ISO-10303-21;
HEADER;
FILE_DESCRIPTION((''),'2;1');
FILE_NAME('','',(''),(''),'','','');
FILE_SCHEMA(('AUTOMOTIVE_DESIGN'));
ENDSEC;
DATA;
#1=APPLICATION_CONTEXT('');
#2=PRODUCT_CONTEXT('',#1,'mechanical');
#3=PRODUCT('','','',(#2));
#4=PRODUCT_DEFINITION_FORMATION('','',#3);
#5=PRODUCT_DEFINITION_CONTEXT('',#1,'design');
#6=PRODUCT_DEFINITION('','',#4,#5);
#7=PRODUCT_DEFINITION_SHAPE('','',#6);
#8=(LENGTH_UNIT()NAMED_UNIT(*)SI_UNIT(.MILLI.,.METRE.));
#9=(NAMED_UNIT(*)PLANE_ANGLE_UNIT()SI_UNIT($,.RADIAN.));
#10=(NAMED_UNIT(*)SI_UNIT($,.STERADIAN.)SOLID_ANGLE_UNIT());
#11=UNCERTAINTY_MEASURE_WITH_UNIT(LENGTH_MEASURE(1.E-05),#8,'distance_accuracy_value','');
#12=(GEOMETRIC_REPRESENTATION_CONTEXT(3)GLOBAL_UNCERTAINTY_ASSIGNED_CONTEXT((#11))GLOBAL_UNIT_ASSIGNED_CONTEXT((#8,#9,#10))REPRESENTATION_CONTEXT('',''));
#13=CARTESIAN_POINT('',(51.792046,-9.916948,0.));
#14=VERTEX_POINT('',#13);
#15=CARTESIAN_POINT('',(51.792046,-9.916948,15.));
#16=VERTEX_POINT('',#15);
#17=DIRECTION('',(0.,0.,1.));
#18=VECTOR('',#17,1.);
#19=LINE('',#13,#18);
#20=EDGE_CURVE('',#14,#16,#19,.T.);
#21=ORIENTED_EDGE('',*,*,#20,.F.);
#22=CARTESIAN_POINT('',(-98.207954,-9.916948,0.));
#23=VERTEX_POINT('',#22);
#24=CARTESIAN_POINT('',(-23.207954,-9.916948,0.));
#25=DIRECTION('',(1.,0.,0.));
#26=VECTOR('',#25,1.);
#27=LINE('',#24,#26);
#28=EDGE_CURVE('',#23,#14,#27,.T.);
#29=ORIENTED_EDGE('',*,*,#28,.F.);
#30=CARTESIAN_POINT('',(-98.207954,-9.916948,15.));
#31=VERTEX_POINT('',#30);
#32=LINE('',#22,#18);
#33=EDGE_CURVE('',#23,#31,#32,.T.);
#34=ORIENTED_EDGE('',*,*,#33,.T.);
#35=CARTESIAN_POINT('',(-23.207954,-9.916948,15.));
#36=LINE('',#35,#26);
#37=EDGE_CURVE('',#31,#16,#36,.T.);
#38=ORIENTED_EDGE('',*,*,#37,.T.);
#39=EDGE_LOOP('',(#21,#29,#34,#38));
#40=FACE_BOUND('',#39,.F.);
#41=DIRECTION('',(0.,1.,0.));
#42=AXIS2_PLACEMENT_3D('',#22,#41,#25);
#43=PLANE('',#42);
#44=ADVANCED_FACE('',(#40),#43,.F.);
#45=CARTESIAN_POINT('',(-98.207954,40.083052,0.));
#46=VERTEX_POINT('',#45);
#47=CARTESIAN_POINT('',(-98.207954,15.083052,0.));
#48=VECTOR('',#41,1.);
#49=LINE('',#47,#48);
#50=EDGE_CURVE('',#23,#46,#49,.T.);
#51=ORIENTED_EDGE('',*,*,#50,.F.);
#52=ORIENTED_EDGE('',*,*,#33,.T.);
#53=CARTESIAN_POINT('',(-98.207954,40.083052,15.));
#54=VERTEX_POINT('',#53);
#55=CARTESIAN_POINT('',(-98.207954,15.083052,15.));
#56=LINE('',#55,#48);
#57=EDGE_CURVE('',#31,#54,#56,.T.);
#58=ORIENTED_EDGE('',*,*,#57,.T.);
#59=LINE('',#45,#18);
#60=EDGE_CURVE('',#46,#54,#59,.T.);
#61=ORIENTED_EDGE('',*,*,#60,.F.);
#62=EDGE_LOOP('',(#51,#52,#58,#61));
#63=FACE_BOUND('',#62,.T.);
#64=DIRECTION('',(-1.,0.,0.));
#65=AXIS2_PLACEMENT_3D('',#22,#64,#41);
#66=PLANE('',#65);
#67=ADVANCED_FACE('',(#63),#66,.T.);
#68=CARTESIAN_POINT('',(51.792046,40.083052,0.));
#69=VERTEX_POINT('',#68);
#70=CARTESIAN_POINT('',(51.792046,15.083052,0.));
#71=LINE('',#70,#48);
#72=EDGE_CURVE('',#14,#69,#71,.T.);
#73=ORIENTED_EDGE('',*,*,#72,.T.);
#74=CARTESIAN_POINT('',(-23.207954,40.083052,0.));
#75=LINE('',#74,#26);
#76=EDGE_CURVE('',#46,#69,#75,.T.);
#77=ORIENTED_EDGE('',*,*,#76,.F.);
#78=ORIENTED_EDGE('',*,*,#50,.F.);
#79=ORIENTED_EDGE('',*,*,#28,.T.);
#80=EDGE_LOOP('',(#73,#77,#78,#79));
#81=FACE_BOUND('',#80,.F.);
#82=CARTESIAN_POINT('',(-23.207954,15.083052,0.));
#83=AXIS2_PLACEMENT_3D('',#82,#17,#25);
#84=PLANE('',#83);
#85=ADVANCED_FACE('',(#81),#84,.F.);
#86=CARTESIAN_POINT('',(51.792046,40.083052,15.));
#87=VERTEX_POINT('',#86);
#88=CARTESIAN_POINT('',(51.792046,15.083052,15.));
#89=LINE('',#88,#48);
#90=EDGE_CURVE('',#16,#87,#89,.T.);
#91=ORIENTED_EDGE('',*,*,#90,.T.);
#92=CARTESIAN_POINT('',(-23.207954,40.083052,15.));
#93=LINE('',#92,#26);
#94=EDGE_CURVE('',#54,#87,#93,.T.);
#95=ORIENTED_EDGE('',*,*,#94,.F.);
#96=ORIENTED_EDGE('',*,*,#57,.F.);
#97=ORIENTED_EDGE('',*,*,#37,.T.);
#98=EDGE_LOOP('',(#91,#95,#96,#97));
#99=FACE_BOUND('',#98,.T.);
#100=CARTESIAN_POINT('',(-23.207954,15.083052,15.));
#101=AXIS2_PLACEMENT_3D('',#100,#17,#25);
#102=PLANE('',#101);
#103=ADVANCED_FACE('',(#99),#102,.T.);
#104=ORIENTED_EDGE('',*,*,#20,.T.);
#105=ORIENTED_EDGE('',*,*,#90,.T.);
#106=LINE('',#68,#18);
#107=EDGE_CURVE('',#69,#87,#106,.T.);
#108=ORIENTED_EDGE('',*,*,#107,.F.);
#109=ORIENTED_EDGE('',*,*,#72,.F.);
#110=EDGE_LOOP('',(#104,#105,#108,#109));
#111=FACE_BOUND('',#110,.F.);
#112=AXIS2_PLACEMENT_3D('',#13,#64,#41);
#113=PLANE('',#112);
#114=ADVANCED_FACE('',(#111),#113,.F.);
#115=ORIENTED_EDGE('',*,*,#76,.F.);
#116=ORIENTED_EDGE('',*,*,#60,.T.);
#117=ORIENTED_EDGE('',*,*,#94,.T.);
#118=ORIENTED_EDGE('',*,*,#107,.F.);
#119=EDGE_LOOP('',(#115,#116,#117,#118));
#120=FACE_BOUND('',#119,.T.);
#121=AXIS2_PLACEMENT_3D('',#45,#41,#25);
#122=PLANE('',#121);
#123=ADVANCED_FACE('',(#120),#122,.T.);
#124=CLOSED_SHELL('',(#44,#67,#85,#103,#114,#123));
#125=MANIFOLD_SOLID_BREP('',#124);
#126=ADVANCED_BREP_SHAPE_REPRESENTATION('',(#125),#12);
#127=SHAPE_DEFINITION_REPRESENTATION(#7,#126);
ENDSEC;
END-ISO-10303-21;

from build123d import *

# Parameters (mm, degrees)
F1_W     = 150
F1_H     = 50
F2_DEPTH = 15


with BuildPart() as f2:
    # F1 (on face) → F2 (new body)
    with BuildSketch(Plane.XY):
        with Locations((-23.207954, 15.083052)):
            Rectangle(F1_W, F1_H)
    extrude(amount=F2_DEPTH)


solid = f2.part
